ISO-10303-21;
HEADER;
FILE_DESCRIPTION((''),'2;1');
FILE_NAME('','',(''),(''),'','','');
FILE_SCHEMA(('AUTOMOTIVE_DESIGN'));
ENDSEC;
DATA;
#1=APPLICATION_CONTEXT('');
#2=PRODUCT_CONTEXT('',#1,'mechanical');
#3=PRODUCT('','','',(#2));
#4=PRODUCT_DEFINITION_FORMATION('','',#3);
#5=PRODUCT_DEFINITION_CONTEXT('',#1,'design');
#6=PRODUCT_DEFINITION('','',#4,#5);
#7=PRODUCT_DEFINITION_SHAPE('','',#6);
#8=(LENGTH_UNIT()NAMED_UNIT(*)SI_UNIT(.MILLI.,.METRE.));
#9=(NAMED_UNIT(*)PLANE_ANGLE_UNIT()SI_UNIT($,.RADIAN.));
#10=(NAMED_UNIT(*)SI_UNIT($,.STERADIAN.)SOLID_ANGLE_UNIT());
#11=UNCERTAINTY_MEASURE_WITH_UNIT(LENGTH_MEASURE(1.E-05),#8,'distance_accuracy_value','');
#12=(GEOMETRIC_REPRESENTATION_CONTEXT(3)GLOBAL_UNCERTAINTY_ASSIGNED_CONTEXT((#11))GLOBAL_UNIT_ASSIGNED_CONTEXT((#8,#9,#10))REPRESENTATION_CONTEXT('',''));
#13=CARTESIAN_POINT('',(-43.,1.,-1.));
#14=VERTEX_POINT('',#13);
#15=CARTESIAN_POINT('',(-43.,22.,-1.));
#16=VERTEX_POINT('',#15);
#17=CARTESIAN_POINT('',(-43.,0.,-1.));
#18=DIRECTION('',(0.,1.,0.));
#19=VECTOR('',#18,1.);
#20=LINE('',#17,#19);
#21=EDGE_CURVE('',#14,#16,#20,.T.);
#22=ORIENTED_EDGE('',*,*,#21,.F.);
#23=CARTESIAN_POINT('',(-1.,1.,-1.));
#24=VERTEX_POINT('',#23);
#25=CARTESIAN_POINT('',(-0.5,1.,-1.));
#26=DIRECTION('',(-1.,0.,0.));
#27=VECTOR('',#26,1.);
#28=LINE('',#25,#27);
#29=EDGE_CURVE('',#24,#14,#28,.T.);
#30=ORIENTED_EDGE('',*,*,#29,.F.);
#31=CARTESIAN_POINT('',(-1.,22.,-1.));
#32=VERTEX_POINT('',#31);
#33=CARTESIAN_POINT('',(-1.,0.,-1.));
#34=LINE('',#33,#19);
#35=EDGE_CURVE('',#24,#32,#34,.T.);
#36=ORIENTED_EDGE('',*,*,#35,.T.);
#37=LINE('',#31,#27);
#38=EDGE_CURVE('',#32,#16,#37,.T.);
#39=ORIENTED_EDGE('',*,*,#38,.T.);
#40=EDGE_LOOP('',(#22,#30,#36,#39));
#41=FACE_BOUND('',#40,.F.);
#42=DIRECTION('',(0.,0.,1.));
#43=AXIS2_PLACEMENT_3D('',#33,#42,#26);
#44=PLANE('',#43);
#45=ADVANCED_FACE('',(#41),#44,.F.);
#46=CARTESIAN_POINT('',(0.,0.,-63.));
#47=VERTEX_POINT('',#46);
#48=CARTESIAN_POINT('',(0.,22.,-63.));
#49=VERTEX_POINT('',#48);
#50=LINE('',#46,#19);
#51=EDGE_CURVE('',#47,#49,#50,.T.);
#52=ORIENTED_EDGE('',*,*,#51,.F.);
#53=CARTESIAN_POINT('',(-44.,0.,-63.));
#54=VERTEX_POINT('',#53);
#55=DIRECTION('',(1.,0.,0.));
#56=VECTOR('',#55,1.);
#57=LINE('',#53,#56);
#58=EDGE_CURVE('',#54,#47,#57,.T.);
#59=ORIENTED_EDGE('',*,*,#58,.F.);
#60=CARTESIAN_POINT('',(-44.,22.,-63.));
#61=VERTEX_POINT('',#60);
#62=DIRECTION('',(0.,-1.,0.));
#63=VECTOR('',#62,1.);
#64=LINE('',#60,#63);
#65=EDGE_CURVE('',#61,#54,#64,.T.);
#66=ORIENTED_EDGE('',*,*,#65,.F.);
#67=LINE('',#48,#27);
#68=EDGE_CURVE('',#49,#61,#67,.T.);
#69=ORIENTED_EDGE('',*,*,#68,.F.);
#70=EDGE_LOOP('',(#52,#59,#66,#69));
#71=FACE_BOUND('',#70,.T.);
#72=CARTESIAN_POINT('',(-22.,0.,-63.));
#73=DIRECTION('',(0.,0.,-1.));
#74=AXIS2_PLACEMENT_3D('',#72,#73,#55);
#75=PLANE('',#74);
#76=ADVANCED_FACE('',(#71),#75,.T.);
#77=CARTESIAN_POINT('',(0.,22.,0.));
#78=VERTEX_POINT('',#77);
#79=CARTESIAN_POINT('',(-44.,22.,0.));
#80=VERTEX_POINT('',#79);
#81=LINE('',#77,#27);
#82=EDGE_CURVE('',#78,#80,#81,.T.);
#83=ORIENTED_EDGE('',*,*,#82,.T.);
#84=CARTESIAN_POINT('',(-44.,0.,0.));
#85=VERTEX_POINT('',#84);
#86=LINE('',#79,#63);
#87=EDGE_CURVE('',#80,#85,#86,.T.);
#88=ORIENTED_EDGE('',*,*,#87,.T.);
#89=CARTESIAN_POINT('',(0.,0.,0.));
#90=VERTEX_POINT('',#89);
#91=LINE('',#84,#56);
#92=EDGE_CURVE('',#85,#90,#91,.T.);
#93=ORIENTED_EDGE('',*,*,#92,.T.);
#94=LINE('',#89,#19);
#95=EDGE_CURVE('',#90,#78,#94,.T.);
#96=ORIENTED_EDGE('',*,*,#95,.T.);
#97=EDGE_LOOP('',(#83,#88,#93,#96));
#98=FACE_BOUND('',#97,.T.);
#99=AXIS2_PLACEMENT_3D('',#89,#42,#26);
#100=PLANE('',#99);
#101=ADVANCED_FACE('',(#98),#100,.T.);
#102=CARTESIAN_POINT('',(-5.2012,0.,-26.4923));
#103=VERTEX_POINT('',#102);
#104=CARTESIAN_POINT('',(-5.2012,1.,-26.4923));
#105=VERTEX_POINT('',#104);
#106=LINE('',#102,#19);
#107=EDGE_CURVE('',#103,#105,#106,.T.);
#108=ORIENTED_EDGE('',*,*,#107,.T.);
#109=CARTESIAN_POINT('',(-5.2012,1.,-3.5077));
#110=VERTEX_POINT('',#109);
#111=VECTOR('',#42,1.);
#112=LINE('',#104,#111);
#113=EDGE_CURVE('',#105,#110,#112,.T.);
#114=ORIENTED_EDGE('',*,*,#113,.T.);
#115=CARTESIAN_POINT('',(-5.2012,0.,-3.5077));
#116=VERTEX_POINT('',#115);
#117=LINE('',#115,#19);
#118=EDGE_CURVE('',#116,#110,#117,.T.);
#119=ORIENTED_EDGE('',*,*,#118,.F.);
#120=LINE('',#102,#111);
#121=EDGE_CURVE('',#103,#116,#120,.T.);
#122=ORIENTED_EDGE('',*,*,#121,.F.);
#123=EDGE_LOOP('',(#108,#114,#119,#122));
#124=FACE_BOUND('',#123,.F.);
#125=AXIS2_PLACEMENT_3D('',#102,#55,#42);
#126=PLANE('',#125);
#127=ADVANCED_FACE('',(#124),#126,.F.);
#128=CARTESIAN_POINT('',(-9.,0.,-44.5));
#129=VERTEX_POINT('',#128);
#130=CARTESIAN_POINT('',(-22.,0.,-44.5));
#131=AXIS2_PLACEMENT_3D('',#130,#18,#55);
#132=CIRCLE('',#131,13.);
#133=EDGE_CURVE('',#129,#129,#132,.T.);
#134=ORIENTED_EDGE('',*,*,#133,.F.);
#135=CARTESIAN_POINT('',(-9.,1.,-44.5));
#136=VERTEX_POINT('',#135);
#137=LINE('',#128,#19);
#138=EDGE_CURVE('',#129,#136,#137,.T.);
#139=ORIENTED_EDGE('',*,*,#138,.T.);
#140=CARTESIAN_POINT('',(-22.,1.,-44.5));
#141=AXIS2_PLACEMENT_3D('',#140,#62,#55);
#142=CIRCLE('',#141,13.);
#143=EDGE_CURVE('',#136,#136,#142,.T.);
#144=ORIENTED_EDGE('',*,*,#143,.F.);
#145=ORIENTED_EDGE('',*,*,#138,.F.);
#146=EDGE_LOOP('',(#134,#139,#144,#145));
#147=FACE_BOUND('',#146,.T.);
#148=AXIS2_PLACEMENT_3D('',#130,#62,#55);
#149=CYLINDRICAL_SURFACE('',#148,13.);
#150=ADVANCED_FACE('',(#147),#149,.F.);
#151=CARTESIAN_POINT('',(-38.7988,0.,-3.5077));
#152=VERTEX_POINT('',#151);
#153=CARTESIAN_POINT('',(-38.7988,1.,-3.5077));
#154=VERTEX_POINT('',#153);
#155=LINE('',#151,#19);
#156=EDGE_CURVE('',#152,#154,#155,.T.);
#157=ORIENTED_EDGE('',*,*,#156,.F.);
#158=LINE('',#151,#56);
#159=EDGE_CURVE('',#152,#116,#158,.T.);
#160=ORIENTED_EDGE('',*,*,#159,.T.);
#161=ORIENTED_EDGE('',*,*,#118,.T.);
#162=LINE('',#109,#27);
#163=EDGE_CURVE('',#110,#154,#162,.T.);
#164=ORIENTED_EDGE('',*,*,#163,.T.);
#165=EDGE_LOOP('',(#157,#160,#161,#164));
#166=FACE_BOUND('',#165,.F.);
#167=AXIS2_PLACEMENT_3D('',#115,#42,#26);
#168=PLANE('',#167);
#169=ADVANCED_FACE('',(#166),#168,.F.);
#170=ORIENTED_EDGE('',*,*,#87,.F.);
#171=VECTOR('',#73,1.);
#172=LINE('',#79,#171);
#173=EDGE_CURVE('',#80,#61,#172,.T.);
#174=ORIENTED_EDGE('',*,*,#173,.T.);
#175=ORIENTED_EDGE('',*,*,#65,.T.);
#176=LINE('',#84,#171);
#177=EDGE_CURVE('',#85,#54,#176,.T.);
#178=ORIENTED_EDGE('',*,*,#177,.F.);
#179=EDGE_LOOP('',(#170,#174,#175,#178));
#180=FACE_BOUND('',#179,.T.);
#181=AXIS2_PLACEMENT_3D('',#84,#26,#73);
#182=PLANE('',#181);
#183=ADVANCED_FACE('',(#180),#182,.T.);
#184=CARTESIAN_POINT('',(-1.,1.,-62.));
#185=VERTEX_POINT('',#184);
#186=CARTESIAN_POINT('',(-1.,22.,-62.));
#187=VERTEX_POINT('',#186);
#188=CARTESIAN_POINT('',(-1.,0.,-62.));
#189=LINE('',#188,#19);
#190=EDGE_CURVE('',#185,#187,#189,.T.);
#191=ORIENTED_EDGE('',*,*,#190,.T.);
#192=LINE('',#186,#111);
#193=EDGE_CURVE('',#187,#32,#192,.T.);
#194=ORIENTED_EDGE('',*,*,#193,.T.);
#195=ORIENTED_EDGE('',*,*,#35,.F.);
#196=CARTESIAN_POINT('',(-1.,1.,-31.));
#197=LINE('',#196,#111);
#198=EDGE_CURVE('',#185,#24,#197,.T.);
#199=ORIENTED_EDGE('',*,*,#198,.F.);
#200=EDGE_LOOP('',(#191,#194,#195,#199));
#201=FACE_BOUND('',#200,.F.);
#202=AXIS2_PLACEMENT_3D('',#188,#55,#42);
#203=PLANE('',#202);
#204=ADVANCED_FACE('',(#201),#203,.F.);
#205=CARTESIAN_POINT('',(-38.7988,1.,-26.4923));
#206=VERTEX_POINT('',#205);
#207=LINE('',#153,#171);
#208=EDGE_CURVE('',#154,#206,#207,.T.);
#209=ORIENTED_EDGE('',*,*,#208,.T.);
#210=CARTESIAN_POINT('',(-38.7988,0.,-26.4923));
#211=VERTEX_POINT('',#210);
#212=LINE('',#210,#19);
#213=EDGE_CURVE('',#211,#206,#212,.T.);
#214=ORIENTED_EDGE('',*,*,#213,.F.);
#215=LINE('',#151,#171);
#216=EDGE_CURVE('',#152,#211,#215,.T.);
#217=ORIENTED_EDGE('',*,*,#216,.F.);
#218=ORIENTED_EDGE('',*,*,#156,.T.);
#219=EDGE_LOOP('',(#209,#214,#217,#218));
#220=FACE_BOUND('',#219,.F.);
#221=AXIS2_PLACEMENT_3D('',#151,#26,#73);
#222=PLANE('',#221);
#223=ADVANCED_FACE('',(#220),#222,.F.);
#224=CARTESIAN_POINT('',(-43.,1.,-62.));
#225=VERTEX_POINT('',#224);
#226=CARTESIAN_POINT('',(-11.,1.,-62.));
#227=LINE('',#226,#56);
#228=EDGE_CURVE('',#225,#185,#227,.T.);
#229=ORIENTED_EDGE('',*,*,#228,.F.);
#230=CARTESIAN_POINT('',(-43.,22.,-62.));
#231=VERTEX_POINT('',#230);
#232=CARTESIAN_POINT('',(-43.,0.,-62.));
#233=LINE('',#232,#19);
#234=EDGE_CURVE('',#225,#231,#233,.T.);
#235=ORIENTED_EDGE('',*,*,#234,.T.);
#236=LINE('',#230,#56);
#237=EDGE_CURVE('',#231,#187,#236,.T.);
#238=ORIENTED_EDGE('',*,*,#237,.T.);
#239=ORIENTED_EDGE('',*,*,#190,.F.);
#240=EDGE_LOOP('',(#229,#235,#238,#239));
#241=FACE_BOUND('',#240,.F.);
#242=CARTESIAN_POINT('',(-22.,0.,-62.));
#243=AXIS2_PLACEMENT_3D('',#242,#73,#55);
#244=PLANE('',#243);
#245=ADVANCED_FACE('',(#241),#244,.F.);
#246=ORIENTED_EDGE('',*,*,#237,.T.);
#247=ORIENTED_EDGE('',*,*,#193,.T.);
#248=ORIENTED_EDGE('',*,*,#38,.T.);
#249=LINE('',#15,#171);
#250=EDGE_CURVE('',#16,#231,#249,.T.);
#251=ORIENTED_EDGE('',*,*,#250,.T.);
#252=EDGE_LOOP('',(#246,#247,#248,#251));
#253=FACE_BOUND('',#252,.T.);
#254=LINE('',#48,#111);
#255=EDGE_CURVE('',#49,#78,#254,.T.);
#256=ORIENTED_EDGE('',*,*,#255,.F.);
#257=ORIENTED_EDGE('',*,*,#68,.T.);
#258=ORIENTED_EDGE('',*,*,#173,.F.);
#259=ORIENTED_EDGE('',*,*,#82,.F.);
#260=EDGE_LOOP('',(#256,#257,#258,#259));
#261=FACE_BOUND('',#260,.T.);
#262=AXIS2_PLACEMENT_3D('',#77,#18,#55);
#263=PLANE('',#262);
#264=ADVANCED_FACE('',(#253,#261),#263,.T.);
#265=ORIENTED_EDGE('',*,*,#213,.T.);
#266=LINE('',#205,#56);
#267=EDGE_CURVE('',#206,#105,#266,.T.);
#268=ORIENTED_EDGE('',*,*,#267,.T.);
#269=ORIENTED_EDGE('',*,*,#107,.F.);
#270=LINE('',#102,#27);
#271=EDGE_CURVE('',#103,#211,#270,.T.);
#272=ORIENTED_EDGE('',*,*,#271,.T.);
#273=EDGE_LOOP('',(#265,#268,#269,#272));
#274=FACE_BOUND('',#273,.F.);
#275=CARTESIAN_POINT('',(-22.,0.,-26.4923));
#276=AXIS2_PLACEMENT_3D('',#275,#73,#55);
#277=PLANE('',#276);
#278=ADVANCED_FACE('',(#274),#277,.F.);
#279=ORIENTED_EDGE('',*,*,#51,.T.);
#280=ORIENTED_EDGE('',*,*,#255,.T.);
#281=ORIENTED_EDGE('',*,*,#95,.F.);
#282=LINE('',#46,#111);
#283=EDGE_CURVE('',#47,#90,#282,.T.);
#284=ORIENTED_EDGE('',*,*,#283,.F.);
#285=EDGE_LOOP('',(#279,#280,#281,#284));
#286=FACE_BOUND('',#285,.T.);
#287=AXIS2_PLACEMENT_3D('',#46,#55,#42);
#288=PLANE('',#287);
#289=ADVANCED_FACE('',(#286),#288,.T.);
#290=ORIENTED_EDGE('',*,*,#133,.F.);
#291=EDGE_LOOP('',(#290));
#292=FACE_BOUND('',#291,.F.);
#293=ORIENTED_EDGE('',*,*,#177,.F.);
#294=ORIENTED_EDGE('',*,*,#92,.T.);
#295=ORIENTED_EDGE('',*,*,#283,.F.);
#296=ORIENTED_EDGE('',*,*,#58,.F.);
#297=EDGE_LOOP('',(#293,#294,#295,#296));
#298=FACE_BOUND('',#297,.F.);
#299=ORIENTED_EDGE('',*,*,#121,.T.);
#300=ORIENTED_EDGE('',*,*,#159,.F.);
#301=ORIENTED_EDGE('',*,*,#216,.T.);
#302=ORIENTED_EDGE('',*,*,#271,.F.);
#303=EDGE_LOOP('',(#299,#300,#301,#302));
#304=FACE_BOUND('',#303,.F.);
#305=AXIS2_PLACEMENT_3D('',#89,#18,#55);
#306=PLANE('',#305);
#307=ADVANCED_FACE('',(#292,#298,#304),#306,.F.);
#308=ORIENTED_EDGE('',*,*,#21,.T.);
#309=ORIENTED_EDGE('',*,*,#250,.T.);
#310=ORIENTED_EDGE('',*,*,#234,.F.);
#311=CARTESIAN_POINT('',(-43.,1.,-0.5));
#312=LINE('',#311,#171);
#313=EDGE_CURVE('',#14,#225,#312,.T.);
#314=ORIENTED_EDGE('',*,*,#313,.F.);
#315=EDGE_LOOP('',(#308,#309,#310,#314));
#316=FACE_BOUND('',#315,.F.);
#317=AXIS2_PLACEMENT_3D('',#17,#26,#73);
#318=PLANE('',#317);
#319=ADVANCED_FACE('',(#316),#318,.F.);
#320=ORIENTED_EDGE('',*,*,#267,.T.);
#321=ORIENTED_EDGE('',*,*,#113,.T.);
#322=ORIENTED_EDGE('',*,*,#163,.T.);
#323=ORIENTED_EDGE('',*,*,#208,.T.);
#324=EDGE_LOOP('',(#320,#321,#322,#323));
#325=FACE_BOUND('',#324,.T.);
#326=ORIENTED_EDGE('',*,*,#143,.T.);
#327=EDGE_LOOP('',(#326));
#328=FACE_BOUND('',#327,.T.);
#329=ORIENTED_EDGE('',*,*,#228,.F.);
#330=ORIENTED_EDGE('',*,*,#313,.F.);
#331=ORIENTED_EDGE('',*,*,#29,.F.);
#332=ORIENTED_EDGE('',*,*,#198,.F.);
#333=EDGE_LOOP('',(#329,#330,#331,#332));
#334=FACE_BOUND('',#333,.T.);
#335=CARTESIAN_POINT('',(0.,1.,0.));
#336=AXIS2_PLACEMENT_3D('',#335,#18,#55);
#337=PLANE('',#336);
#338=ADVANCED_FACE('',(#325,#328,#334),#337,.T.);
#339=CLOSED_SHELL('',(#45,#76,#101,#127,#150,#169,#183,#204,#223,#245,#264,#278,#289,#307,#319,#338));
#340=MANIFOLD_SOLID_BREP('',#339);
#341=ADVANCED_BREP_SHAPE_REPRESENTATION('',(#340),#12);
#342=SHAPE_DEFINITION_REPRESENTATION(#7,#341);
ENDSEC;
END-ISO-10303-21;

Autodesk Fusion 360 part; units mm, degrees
sketch "Sketch1" plane through (0, 0, 0) normal (0, 1, 0) x (1, 0, 0)
  line L0 (0, 0) -> (-44, 0)
  line L1 (-44, 0) -> (-44, 63)
  line L2 (-44, 63) -> (0, 63)
  line L3 (0, 63) -> (0, 0)
  line L4 (-22, 0) -> (-22, 15)
  line L5 (-44, 0) -> (-22, 0)
  line L6 (-22, 0) -> (-22, 63)
  line L7 (-22, 63) -> (-22, 44.5)
  circle A0 centre (-22, 44.5) radius 13
  line L8 (-44, 63) -> (-22, 63)
  line L9 (-5.2012, 3.5077) -> (-38.7988, 3.5077)
  line L10 (-38.7988, 3.5077) -> (-38.7988, 26.4923)
  line L11 (-38.7988, 26.4923) -> (-5.2012, 26.4923)
  line L12 (-5.2012, 26.4923) -> (-5.2012, 3.5077)
  line L13 (-5.2012, 3.5077) -> (-38.7988, 26.4923) construction
  line L14 (-38.7988, 3.5077) -> (-5.2012, 26.4923) construction
  line L15 (-43, 62) -> (-1, 62)
  line L16 (-1, 62) -> (-1, 1)
  line L17 (-1, 1) -> (-43, 1)
  line L18 (-43, 1) -> (-43, 62)
  dimension "d1" = 44
  dimension "d2" = 63
  dimension "d5" = 15
  dimension "d7" = 18.5
  dimension "d8" = 26
  dimension "d9" = 21
  dimension "d13" = 21.5
  dimension "d14" = 1
extrude "Extrude3" add sketch "Sketch1" along normal blind 22 contours L0 L2 L3 L4 L6 L7 L15 L16 L17 | L0 L1 L2 L4 L5 L6 L7 L8 L15 L17 L18 makes body 1
extrude "Extrude2" add sketch "Sketch1" along normal blind 1 separate body contours L0 L2 L3 L4 L6 L7 L15 L16 L17 | L0 L1 L2 L4 L5 L6 L7 L8 L15 L17 L18 | L4 L6 L7 A0 L9 L10 L11 L15 L17 L18 | L4 L6 L7 A0 L9 L11 L12 L15 L16 L17 makes body 2
combine "Combine1" operation add target body 1 tool bodies 2
extrude "Extrude5" add sketch "Sketch1" along normal blind 21 separate body contours L4 L6 L7 A0 L9 L10 L11 L15 L17 L18 | L4 L6 L7 A0 L9 L11 L12 L15 L16 L17 | L4 L6 L9 L10 L11 | L4 L6 L9 L11 L12 | L6 L7 A0 | L6 L7 A0 makes body 3
move_body "Move1" bodies 3 to x (1, 0, 0) y (0, 1, 0) z (0, 0, 1) at (0, 1, 0)
extrude "Extrude6" add sketch "Sketch1" along normal blind -8 and the other way blind -1 separate body contours L6 L7 A0 | L6 L7 A0 makes body 4
combine "Combine2" operation add target body 4 tool bodies 3
sketch "Sketch3" plane through (0, 0, 0) normal (1, 0, 0) x (0, 0, -1)
  line L0 (44.5, -8) -> (44.5, -95.3333)
  line L1 (44.5, -8) -> (44.5007, 25.9882)
  line L2 (44.5, -8) -> (44.5, -13)
  line L3 (44.5, -8) -> (44.5, -13)
  line L4 (44.5, -8) -> (44.5, -13)
  line L5 (44.5, -5.7455) -> (28.5885, -9.273)
  line L6 (44.5, -5.7455) -> (93.193, -5.7455) construction
  line L7 (44.5, -5.7455) -> (101.0974, -5.7455) construction
  line L8 (44.5, -9.273) -> (25, -9.273)
  line L9 (28.5885, -9.273) -> (28.5885, -28.9115)
  line L10 (28.5885, -28.9115) -> (23.5129, -33.9871)
  line L11 (44.5, -13) -> (73.6492, -13) construction
  line L12 (44.5, -13) -> (28.5885, -28.9115)
  line L13 (28.5885, -28.9115) -> (-8.934, -28.9115)
  line L14 (44.5, -13) -> (28.5885, -13)
  line L15 (44.5, -13) -> (7, -12.9775)
  line L16 (7, -12.9775) -> (30.0264, -12.9775) construction
  line L17 (7, -12.9775) -> (-8.934, -28.9115)
  line L18 (-8.934, -28.9115) -> (-8.934, -33.9115)
  line L19 (6.9775, -13) -> (6.9775, -33.9115)
  line L20 (28.5885, -13) -> (6.9775, -13)
  line L21 (-8.934, -28.9115) -> (-8.934, -33.9115)
  line L22 (-8.934, -33.9115) -> (6.9775, -33.9115)
  line L23 (6.9775, -33.9115) -> (44.5, -42.23)
  line L24 (6.9775, -33.9115) -> (31.1364, -33.9115) construction
  line L25 (-8.934, -33.9115) -> (-89.4653, -51.7648)
  line L26 (-8.934, -33.9115) -> (73.5526, -33.9115) construction
  dimension "d31" = 5
  dimension "d36" = 45
  dimension "d37" = 77.5
  dimension "d38" = 37.5
  dimension "d40" = 12.5
  dimension "d41" = 167.5
sketch "Sketch4" plane through (0, 0, 0) normal (1, 0, 0) x (0, 0, -1)
  line L0 (63, 0) -> (44.5, 0)
  line L1 (44.5, 0) -> (44.5, -81.2522)
  line L2 (31.5, -8) -> (57.5, -8)
  line L3 (44.5, -8) -> (57, -8)
  line L4 (44.5, -6.4048) -> (93.5414, -6.4048) construction
  line L5 (44.5, -8) -> (44.5, -13)
  line L6 (44.5, -8) -> (31.5, -8)
  line L7 (31.5, -8) -> (34.5, -8)
  line L8 (44.5, -6.3277) -> (113.977, -6.3277) construction
  line L9 (44.5, -9.2652) -> (31.25, -9.2652)
  line L10 (31.25, -9.2652) -> (31.25, -24.1181)
  line L11 (44.5, -13) -> (31.25, -24.1181)
  line L12 (44.5, -13) -> (64.8642, -13) construction
  line L13 (44.5, -13) -> (7, -6.3877)
  line L14 (57.3025, -15.2574) -> (44.5, -13)
  line L15 (45.8772, -26.6972) -> (-6.25, -17.5058)
  line L16 (44.5, 0) -> (7, 0)
  line L17 (7, -6.3877) -> (7, -30)
  line L18 (7, -6.3877) -> (-6.25, -17.5058)
  line L19 (7, -6.3877) -> (33.2311, -6.3877) construction
  line L20 (44.5, -6.3277) -> (7, -14.6413)
  line L21 (-6.25, -17.5058) -> (-6.25, -43.4537)
  line L22 (7, -14.6413) -> (7, -36.5614)
  line L23 (7, -6.3877) -> (7, -14.6413)
  dimension "d44" = 5
  dimension "d46" = 3
  dimension "d47" = 167.5
  dimension "d49" = 50
  dimension "d50" = 37.5
  dimension "d51" = 140
hidden bodies 4
